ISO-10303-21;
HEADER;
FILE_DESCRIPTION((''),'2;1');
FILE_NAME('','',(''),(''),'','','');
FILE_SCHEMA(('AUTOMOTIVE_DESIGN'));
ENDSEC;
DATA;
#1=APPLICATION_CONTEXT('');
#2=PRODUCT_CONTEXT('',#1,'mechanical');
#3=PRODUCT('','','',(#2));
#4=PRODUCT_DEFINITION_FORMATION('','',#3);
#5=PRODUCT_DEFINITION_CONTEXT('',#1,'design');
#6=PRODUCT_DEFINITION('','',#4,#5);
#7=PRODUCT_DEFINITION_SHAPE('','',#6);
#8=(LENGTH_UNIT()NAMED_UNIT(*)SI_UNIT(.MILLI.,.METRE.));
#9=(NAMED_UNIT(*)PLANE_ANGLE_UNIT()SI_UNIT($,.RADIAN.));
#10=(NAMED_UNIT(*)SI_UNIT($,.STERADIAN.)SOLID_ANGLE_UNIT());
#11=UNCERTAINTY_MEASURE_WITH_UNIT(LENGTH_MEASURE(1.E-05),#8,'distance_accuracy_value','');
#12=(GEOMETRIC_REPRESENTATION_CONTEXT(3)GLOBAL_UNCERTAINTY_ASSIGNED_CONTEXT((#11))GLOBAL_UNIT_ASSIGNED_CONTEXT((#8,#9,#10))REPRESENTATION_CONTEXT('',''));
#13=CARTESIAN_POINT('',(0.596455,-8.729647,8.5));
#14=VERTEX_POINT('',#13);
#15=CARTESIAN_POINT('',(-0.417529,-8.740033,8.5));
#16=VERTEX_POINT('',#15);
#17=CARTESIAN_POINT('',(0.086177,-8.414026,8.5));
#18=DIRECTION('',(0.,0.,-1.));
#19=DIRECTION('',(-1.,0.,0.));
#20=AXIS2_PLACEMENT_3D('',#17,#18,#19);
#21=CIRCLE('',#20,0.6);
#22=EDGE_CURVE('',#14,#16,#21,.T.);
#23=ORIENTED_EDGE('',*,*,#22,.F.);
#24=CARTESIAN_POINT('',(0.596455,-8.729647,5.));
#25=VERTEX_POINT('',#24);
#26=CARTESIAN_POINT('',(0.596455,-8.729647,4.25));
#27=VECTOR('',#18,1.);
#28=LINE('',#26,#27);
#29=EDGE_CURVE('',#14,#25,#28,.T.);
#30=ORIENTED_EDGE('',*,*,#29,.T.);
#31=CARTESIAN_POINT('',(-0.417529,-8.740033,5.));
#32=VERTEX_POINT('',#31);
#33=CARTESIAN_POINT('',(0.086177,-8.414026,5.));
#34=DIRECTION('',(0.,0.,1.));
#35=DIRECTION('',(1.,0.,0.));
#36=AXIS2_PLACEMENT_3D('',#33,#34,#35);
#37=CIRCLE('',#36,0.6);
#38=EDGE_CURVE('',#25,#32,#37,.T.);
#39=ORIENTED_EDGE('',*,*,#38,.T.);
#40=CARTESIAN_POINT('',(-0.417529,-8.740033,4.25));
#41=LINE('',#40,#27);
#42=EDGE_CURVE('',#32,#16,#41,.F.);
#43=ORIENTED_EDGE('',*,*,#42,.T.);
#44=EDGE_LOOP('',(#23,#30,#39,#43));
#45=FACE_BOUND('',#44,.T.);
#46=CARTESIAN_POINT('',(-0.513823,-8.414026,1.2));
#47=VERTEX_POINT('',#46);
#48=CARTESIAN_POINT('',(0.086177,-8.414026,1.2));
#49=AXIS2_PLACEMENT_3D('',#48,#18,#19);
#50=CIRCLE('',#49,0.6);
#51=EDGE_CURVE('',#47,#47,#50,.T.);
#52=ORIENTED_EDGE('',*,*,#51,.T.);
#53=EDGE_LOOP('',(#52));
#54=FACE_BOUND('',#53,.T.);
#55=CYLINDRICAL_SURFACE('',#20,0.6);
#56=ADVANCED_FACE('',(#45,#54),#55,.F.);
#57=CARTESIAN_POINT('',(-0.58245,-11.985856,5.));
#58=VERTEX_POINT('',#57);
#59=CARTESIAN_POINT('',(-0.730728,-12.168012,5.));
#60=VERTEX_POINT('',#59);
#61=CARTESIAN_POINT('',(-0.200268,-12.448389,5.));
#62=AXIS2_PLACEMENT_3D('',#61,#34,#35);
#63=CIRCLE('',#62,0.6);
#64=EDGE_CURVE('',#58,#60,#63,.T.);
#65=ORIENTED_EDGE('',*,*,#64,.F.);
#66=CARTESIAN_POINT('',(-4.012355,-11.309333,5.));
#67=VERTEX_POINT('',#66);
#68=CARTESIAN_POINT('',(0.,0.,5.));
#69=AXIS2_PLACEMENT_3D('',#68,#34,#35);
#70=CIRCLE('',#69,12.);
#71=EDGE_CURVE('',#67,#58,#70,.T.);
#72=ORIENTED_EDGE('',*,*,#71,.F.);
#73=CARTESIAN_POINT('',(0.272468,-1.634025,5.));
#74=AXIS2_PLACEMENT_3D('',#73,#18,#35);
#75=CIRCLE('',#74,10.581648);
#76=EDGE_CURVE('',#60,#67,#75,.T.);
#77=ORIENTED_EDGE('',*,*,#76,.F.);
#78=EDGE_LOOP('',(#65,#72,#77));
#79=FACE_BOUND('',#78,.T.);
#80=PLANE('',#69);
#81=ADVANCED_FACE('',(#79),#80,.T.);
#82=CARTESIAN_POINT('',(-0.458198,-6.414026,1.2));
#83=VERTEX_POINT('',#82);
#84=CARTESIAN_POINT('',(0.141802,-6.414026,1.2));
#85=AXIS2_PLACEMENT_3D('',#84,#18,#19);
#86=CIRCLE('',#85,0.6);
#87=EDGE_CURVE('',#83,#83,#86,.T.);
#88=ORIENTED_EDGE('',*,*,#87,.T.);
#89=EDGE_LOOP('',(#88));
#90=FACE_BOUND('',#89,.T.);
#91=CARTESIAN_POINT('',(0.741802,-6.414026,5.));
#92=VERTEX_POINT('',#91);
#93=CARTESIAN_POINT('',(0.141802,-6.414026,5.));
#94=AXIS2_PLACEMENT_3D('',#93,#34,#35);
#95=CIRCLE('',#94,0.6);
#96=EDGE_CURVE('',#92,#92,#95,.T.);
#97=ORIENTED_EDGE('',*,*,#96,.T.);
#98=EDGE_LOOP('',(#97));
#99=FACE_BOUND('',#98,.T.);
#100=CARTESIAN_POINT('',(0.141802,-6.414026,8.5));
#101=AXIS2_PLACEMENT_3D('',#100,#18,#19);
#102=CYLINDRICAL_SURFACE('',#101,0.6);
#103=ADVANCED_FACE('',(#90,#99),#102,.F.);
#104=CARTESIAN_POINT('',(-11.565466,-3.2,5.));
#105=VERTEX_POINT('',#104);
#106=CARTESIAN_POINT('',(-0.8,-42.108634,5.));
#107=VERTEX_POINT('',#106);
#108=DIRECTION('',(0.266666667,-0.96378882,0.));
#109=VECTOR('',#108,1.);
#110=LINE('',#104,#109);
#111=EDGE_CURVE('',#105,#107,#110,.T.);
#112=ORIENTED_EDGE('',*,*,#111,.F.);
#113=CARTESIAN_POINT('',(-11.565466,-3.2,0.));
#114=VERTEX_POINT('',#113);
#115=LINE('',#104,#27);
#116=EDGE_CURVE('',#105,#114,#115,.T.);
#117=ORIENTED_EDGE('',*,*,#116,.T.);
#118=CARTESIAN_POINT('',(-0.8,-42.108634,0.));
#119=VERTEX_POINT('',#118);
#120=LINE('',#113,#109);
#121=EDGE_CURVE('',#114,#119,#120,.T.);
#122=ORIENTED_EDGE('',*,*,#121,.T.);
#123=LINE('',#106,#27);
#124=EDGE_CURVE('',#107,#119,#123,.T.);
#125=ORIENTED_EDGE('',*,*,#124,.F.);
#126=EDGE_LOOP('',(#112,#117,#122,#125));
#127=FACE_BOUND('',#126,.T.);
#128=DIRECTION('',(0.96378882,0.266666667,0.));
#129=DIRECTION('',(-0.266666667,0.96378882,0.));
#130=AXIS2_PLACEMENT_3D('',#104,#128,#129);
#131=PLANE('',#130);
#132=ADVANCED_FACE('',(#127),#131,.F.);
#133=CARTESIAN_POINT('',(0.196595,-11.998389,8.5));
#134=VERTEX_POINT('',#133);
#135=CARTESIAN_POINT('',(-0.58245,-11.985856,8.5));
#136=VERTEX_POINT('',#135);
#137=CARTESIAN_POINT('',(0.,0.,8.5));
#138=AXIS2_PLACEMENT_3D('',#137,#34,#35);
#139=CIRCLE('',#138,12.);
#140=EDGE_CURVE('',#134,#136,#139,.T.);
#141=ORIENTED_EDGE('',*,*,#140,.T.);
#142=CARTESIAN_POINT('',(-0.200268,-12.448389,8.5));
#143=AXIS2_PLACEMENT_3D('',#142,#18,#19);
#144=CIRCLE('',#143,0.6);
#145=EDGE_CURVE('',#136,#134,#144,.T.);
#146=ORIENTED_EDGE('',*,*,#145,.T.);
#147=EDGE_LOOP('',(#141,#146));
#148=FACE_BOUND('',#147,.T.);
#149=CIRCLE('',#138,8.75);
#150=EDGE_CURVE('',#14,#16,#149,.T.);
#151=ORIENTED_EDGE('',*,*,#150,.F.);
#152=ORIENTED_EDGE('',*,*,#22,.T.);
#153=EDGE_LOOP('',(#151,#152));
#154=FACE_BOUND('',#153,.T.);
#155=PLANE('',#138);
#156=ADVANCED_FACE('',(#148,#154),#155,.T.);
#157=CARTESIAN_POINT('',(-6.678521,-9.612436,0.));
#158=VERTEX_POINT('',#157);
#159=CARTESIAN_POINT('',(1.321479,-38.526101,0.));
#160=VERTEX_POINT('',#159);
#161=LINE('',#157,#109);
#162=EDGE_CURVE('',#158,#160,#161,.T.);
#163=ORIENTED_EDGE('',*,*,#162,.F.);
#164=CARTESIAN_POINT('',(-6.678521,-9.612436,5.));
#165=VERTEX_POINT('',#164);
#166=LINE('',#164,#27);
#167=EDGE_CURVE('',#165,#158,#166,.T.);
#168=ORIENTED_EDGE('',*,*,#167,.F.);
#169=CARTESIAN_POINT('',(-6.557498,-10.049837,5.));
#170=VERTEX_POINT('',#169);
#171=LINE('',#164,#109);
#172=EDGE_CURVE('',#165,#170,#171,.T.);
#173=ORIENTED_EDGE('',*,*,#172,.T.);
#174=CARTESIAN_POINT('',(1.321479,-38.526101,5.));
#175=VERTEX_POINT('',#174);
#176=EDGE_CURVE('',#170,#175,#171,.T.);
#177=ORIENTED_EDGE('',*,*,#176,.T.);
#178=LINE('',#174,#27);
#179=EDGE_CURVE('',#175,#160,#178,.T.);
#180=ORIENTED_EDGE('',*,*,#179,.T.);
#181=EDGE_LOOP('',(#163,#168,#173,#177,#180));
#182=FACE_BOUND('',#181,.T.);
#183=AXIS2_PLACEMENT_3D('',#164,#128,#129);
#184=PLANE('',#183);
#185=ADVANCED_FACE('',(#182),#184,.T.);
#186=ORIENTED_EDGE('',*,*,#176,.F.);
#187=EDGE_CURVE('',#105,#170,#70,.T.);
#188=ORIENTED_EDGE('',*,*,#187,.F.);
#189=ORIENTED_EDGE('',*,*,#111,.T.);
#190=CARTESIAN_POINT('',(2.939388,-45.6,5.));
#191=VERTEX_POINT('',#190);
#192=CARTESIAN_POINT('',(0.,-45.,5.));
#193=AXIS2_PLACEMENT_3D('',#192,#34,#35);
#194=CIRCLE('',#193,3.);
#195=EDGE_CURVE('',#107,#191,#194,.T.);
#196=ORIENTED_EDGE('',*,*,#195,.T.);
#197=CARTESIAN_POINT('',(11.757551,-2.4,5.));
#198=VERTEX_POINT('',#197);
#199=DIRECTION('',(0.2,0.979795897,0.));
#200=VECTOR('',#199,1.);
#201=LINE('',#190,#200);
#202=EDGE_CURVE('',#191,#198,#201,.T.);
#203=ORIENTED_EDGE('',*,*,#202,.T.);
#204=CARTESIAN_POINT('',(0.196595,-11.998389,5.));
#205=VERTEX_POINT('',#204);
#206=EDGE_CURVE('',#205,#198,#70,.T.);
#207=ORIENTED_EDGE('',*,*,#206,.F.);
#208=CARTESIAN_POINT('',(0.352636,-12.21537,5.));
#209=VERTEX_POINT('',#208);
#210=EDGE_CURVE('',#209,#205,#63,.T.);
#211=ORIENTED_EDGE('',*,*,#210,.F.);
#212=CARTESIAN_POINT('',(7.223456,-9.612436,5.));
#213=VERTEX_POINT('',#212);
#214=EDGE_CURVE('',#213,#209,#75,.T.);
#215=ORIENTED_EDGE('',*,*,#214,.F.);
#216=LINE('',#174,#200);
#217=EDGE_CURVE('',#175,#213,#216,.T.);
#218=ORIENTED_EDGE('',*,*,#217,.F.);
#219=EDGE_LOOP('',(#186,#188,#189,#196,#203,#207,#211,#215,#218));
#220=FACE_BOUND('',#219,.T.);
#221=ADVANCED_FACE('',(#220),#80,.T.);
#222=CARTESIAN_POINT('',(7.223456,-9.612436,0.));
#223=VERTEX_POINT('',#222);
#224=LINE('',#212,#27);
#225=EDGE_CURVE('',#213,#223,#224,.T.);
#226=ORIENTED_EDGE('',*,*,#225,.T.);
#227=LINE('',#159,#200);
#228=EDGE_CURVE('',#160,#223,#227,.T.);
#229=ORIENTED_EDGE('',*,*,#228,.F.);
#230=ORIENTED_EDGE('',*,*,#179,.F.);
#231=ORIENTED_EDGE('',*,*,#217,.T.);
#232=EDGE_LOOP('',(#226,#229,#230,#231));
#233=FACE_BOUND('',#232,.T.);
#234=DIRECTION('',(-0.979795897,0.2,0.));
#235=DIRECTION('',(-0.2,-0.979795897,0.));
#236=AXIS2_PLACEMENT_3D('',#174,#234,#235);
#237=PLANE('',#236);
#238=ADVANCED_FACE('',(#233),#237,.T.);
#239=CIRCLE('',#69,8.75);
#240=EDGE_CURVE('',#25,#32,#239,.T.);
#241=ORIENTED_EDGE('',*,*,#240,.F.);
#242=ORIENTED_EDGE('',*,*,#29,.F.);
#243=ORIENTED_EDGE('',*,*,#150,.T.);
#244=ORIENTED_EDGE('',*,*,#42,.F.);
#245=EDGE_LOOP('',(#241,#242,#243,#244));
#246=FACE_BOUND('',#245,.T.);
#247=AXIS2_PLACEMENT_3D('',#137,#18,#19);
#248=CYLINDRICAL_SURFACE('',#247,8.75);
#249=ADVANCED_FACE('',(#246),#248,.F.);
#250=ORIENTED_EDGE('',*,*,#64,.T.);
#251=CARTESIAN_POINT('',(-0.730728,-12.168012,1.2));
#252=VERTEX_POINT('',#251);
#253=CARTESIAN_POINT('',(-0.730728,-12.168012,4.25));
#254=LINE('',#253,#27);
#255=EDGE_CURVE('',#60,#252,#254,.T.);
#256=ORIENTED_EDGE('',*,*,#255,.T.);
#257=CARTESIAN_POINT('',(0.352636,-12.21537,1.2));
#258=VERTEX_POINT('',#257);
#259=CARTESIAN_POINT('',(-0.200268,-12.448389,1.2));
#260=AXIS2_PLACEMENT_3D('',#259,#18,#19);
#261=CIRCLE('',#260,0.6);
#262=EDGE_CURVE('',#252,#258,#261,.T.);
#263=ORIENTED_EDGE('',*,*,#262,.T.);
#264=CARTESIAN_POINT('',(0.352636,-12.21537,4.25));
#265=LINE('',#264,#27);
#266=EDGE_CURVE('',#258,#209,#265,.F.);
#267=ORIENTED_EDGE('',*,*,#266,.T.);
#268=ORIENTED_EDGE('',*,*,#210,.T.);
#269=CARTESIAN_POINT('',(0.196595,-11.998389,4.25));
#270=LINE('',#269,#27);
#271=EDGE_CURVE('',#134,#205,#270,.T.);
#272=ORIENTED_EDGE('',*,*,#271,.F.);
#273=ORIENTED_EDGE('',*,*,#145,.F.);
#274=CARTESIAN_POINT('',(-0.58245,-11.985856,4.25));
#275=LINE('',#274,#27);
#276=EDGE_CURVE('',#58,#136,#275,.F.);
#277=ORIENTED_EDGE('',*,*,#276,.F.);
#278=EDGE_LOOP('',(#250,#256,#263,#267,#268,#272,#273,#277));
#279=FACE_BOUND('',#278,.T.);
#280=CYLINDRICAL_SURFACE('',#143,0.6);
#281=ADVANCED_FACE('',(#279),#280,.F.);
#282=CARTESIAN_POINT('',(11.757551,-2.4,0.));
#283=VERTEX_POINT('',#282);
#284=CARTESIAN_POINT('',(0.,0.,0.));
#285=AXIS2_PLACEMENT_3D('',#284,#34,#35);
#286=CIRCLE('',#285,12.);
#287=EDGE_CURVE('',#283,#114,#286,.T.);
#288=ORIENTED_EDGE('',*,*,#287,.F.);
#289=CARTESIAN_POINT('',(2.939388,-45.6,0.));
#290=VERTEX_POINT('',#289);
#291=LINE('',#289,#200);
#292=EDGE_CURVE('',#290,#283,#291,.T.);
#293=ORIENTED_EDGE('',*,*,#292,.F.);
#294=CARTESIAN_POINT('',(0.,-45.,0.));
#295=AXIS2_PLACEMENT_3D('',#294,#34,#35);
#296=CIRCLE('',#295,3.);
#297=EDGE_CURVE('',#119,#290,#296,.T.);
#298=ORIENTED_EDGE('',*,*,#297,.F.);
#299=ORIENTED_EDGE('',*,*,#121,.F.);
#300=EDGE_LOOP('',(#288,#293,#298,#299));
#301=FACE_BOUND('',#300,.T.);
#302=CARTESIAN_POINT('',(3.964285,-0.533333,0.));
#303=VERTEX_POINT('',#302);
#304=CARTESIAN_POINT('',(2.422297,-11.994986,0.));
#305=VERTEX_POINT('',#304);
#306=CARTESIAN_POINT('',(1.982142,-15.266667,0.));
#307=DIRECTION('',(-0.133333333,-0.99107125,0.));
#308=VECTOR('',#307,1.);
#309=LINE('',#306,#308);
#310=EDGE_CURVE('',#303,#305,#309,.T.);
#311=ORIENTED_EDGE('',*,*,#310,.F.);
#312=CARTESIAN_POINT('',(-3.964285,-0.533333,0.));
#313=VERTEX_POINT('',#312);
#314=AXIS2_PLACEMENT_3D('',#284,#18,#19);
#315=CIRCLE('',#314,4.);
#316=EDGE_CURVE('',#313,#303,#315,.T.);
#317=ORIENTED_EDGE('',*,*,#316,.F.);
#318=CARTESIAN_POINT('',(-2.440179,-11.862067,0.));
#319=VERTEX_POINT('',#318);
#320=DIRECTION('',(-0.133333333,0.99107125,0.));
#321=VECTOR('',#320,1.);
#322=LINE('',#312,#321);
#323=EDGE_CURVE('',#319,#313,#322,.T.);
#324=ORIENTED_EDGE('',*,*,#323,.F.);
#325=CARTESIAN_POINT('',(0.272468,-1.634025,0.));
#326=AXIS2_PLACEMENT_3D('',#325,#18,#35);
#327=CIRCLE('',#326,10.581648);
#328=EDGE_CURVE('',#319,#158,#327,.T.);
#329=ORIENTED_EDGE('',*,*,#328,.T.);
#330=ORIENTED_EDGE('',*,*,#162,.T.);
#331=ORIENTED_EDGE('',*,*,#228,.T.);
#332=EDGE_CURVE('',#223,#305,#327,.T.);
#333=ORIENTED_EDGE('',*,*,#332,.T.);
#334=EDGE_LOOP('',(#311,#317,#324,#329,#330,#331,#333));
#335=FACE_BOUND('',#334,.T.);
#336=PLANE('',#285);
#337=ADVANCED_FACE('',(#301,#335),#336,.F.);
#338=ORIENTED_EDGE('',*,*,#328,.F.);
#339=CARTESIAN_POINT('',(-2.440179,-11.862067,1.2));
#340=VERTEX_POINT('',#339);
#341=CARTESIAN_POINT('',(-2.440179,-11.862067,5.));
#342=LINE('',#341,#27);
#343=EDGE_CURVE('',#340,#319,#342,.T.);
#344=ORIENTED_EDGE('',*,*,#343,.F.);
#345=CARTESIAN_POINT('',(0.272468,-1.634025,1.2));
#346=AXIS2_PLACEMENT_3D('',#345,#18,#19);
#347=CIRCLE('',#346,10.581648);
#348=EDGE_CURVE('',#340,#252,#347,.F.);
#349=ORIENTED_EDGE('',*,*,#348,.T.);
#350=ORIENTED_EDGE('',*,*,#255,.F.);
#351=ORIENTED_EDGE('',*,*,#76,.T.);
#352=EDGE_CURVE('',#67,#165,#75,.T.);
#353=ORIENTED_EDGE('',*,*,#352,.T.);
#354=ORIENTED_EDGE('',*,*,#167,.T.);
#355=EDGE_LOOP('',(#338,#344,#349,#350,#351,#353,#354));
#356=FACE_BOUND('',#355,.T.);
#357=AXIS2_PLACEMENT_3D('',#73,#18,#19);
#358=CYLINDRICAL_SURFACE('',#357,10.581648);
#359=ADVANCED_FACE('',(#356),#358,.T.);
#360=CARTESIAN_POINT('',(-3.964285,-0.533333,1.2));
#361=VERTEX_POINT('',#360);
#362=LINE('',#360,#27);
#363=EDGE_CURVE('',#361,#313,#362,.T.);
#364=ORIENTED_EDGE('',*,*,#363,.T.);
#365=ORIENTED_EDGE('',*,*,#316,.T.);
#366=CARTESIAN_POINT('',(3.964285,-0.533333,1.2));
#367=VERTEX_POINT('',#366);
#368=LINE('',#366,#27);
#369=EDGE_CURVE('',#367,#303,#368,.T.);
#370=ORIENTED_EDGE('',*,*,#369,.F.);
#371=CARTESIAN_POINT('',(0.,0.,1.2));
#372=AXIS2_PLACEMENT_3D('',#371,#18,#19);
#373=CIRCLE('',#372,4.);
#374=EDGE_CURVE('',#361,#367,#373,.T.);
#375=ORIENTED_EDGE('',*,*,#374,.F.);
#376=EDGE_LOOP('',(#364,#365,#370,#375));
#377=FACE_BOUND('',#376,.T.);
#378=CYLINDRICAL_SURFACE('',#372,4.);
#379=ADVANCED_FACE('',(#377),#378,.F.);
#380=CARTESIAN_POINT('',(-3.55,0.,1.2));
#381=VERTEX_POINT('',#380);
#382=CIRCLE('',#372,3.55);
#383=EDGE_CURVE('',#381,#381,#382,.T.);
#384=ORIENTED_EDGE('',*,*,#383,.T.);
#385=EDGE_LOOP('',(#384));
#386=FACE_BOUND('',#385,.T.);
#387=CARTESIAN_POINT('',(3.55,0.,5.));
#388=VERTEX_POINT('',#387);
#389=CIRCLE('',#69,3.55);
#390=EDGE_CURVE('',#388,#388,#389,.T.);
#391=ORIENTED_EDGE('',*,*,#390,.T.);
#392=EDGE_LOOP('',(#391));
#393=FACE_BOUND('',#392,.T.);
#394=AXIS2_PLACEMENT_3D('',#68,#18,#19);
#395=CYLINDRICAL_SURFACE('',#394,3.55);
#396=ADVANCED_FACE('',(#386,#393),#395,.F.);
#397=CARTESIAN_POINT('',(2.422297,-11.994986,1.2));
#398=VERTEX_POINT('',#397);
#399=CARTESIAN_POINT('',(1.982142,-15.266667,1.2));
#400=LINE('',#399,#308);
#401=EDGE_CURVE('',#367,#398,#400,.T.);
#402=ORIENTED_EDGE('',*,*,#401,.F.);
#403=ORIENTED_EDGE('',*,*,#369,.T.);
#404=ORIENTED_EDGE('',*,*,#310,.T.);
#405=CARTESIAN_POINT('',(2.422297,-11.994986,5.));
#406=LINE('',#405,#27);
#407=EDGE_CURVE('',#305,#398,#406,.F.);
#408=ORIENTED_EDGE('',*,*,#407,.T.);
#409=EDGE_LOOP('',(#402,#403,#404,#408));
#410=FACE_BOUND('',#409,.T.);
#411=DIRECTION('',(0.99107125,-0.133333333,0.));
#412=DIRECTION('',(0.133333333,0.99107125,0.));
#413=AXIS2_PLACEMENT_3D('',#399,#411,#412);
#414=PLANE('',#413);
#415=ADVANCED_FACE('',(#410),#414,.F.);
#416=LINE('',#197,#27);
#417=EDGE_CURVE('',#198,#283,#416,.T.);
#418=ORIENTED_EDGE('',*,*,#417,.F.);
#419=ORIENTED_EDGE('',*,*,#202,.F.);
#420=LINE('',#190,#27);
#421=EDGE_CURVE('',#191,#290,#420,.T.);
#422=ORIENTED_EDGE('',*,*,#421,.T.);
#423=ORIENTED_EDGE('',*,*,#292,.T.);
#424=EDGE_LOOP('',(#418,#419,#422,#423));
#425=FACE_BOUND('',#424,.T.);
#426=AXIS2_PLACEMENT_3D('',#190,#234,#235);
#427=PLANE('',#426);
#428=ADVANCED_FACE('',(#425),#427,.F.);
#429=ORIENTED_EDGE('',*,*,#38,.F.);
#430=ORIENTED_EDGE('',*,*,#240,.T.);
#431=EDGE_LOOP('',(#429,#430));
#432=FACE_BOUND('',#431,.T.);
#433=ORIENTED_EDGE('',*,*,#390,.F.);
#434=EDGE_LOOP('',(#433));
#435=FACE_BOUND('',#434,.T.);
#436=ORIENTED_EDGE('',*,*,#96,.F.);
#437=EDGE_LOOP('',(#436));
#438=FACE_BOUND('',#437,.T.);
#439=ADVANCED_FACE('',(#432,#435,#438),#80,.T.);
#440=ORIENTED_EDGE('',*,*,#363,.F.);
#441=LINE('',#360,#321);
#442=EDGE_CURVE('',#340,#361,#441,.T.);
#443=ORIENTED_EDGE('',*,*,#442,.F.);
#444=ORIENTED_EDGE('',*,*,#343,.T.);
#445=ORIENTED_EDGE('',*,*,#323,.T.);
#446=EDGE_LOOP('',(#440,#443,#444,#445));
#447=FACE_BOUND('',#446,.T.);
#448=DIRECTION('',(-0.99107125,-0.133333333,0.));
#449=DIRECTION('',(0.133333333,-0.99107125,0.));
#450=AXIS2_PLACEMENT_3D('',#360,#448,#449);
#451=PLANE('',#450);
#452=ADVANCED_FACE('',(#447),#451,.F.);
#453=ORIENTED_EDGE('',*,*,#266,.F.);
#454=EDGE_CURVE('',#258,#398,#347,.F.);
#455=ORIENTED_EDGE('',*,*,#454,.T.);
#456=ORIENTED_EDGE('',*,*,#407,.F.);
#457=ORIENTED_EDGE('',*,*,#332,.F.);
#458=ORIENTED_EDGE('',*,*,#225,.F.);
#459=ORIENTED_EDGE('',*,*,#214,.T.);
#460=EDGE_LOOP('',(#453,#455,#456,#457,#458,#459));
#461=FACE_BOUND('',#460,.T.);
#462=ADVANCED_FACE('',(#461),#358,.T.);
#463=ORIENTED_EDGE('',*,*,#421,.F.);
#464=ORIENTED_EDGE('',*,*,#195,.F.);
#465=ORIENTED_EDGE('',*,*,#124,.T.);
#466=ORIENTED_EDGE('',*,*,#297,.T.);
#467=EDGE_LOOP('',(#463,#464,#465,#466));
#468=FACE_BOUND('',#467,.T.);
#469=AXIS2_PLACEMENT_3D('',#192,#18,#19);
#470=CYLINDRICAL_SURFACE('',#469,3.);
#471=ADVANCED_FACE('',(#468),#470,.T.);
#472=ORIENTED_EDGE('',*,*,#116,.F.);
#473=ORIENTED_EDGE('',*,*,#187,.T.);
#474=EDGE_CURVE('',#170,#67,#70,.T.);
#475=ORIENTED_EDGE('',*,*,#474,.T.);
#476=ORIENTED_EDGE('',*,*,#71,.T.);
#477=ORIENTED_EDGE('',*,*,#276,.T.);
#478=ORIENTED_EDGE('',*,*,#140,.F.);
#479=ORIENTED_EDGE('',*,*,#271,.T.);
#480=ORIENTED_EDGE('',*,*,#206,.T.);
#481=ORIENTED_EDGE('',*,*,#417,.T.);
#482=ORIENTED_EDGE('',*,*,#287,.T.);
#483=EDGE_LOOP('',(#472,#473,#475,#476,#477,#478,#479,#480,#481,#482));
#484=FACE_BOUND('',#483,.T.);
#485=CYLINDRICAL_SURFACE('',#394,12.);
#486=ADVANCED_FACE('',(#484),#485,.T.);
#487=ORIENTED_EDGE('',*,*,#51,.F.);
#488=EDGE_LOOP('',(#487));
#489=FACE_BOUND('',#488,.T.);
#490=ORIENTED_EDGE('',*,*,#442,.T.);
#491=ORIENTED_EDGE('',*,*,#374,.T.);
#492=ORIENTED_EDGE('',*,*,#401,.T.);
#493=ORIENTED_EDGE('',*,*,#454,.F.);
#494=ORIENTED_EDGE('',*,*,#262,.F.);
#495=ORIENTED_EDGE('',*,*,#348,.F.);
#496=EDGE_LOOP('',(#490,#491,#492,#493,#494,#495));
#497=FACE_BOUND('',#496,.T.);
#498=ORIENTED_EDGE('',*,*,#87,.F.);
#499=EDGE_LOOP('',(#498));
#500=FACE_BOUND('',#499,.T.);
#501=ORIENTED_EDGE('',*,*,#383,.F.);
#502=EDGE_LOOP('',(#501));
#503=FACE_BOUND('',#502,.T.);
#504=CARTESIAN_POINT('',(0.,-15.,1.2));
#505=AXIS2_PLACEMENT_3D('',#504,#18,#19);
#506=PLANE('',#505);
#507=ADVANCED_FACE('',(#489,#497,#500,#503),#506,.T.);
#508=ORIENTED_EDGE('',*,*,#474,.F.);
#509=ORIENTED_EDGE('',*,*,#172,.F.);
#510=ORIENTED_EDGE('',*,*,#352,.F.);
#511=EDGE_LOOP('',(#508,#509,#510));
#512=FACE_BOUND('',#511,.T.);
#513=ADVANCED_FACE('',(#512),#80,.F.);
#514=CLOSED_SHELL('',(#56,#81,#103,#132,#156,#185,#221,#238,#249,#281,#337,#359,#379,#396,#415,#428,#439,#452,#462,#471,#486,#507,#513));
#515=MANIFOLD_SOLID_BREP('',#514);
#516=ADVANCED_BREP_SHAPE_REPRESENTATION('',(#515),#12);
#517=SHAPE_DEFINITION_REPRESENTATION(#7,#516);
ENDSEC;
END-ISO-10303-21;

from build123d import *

# Parameters (mm, degrees)
SKETCH1_R               = 3.55
BOSS_EXTRUDE1_DEPTH     = 5
CUT_EXTRUDE1_DEPTH      = 1.2
SKETCH3_R               = 8.75
BOSS_EXTRUDE2_DEPTH     = 3.5
CUT_EXTRUDE2_DEPTH      = 51.012898336
CUT_EXTRUDE2_DEPTH_BACK = 51.012898336
SKETCH5_R               = 0.6


with BuildPart() as part:
    # Sketch1 → Boss-Extrude1 (new body)
    with BuildSketch(Plane.XY):
        with BuildLine():
            Line((2.939387691, -45.6), (11.757550765, -2.4))
            ThreePointArc((11.757550765, -2.4), (-0.411368636, 11.992946921), (-11.565465836, -3.2))
            Line((-11.565465836, -3.2), (-0.8, -42.108633541))
            ThreePointArc((-0.8, -42.108633541), (-2.047353135, -47.192793912), (2.939387691, -45.6))
        make_face()
        Circle(SKETCH1_R, mode=Mode.SUBTRACT)
        with BuildLine():
            Line((1.321479166, -38.526100673), (7.223456236, -9.612436083))
            ThreePointArc((7.223456236, -9.612436083), (0.272467701, -12.215673533), (-6.678520834, -9.612436083))
            Line((-6.678520834, -9.612436083), (1.321479166, -38.526100673))
        make_face(mode=Mode.SUBTRACT)
    extrude(amount=BOSS_EXTRUDE1_DEPTH)

    # Sketch2 → Cut-Extrude1 (cut)
    with BuildSketch(Plane(origin=(0, 0, 0), x_dir=(-1, 0, 0), z_dir=(0, 0, -1))):
        with BuildLine():
            Line((-1.9821425, -15.266666667), (-3.964284999, -0.533333333))
            ThreePointArc((-3.964284999, -0.533333333), (0, 4), (3.964284999, -0.533333333))
            Line((3.964284999, -0.533333333), (1.9821425, -15.266666667))
            ThreePointArc((1.9821425, -15.266666667), (0, -17), (-1.9821425, -15.266666667))
        make_face()
    extrude(amount=-CUT_EXTRUDE1_DEPTH, mode=Mode.SUBTRACT)

    # Sketch3 → Boss-Extrude2 (add)
    with BuildSketch(Plane.XY.offset(5)):
        with BuildLine():
            ThreePointArc((11.757550765, -2.4), (-0.411368636, 11.992946921), (-11.565465836, -3.2))
            ThreePointArc((-11.565465836, -3.2), (0.411368636, -11.992946921), (11.757550765, -2.4))
        make_face()
        Circle(SKETCH3_R, mode=Mode.SUBTRACT)
    extrude(amount=BOSS_EXTRUDE2_DEPTH)

    # Sketch5 → Cut-Extrude2 (cut, two sides: drawn at the far end of the back side and taken through both)
    with BuildSketch(Plane(origin=(0, 0, 1.2), x_dir=(-1, 0, 0), z_dir=(0, 0, -1)).offset(-CUT_EXTRUDE2_DEPTH_BACK)):
        with Locations((-0.141802358, -6.414025874)):
            Circle(SKETCH5_R)
        with Locations((-0.086177178, -8.414025874)):
            Circle(SKETCH5_R)
        with Locations((0.232439079, -14.448130401)):
            Circle(SKETCH5_R)
        with Locations((0.20026758, -12.448389169)):
            Circle(SKETCH5_R)
    extrude(amount=CUT_EXTRUDE2_DEPTH + CUT_EXTRUDE2_DEPTH_BACK, mode=Mode.SUBTRACT)


solid = part.part
